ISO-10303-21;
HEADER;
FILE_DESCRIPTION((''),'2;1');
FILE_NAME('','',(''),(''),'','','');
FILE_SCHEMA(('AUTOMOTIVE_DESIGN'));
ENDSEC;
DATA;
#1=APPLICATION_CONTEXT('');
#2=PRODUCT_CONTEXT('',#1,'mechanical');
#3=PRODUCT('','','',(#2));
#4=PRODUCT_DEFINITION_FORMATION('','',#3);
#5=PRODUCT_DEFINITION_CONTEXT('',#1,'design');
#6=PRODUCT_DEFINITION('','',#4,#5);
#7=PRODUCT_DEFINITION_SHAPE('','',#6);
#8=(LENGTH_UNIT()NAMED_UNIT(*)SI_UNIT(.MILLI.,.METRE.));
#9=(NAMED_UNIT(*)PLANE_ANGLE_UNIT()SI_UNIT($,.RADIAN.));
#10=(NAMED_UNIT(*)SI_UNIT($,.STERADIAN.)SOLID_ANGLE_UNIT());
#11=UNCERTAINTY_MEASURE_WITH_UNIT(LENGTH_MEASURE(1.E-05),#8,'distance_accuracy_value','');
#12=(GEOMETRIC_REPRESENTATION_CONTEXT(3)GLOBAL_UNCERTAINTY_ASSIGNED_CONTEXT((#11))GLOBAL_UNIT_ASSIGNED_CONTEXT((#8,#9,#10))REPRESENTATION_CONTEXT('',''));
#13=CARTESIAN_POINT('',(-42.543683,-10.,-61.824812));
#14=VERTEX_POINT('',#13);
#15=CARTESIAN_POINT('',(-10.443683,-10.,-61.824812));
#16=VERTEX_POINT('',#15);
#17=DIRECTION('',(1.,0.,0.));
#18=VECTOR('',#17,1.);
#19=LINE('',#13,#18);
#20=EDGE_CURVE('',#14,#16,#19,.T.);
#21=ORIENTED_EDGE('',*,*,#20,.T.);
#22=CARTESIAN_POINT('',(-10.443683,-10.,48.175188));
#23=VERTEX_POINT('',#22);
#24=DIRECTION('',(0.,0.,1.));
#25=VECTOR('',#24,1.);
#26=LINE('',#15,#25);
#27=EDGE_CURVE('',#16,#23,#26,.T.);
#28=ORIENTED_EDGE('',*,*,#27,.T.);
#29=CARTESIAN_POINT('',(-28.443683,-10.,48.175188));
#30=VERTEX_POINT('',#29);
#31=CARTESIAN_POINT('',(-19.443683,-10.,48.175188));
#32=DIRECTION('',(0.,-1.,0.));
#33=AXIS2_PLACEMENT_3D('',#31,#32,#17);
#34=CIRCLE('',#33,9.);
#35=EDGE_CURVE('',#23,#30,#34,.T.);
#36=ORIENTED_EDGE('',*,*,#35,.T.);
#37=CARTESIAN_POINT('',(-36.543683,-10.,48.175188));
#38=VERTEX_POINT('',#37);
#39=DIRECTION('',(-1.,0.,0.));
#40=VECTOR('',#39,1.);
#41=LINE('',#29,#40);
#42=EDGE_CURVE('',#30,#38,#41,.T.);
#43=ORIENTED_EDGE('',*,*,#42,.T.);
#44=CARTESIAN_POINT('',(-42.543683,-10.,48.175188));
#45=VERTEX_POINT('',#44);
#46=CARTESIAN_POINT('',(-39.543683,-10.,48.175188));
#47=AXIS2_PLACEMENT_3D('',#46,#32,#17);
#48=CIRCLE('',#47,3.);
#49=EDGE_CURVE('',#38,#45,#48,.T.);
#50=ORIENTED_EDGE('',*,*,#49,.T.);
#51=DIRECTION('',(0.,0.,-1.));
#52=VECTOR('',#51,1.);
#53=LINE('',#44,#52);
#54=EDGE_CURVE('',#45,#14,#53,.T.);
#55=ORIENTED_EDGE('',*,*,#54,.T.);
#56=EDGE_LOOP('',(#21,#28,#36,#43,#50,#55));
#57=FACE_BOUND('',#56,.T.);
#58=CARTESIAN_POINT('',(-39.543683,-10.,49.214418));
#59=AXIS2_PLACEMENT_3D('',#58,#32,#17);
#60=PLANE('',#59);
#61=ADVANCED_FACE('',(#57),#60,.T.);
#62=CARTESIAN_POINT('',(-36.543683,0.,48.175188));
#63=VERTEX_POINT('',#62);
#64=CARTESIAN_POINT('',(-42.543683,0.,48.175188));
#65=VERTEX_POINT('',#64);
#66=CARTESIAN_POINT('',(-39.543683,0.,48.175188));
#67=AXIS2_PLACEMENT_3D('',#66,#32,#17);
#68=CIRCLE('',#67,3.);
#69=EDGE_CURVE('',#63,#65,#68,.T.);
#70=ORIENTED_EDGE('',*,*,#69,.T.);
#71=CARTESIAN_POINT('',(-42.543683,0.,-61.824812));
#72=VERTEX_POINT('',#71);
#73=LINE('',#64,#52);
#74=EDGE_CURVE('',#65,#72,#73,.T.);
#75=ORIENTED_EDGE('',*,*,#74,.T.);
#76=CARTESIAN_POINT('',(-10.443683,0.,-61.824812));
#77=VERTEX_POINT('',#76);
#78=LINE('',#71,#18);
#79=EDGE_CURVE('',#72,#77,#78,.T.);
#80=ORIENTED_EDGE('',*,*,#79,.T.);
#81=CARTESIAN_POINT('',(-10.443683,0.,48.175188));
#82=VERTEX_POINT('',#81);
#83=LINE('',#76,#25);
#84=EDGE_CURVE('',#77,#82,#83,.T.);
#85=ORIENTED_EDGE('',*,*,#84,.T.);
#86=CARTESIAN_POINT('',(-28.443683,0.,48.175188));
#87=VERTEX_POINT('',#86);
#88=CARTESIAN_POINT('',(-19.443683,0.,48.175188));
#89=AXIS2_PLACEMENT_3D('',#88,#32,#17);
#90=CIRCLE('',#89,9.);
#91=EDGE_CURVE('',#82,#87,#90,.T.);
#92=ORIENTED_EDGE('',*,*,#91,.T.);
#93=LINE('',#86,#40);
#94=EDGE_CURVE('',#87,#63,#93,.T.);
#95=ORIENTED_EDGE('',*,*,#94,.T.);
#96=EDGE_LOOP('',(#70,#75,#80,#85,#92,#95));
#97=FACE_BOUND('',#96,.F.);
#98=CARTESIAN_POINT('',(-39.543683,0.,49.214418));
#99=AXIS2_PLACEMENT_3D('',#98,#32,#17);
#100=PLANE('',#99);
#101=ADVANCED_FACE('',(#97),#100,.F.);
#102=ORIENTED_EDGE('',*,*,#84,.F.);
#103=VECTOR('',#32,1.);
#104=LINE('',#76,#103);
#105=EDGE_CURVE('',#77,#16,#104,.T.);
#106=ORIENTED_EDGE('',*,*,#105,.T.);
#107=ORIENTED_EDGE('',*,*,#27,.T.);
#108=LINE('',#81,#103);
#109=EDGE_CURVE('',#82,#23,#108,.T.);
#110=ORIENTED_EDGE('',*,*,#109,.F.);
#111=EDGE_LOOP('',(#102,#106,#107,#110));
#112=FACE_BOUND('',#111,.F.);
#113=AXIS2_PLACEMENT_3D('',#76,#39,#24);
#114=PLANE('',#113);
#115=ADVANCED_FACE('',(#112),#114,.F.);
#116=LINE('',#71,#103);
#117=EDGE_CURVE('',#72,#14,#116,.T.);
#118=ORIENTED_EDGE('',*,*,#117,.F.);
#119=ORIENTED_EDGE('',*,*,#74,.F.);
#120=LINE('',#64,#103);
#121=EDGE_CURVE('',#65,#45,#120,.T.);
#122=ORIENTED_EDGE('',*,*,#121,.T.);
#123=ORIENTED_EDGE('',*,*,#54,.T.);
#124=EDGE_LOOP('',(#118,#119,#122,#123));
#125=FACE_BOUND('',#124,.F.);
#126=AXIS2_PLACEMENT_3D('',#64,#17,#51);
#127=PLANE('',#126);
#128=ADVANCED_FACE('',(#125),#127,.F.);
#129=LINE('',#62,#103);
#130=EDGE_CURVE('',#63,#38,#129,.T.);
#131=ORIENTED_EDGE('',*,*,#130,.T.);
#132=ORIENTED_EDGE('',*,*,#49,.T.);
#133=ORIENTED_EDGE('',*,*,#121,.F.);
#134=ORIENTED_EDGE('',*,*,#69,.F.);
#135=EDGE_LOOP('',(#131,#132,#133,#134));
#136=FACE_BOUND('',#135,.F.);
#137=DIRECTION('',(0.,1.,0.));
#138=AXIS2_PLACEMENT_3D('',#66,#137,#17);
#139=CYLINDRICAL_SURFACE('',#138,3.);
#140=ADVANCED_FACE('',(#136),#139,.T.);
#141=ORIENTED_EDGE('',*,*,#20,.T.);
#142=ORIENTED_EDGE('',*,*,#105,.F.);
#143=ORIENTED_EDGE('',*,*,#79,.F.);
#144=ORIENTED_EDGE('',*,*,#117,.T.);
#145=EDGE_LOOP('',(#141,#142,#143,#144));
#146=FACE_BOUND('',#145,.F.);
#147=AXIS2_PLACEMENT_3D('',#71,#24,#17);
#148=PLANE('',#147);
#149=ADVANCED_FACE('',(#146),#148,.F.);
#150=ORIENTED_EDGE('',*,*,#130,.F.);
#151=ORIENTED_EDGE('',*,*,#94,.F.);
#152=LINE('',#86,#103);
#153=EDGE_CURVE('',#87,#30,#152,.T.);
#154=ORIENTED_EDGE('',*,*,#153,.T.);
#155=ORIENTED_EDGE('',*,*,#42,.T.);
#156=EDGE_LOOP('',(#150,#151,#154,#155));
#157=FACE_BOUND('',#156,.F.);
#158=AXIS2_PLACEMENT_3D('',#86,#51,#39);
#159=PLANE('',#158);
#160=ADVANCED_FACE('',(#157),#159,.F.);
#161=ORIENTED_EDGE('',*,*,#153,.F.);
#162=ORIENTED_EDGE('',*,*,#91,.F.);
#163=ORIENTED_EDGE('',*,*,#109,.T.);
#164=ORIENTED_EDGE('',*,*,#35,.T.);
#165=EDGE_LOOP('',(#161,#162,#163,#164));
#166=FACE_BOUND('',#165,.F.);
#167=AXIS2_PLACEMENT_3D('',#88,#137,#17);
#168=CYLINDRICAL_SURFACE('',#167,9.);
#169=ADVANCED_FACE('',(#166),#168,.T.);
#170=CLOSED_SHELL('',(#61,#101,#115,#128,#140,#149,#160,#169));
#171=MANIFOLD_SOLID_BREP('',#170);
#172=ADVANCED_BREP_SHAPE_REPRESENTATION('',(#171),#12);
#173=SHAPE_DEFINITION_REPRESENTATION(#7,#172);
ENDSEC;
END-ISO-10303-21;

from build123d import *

# Parameters (mm, degrees)
F1_DEPTH = 10


with BuildPart() as f1:
    # F0 (on Front) → F1 (new body)
    with BuildSketch(Plane.XZ):
        with BuildLine():
            ThreePointArc((-36.543683, 48.175188), (-39.543683, 51.175188), (-42.543683, 48.175188))
            Line((-42.543683, 48.175188), (-36.543683, 48.175188))
        make_face()
        with BuildLine():
            ThreePointArc((-10.443683, 48.175188), (-19.443683, 57.175188), (-28.443683, 48.175188))
            Line((-28.443683, 48.175188), (-10.443683, 48.175188))
        make_face()
        Polygon((-36.543683, 48.175188), (-42.543683, 48.175188), (-42.543683, -61.824812), (-10.443683, -61.824812), (-10.443683, 48.175188), (-28.443683, 48.175188), align=None)
    extrude(amount=F1_DEPTH)


solid = f1.part
